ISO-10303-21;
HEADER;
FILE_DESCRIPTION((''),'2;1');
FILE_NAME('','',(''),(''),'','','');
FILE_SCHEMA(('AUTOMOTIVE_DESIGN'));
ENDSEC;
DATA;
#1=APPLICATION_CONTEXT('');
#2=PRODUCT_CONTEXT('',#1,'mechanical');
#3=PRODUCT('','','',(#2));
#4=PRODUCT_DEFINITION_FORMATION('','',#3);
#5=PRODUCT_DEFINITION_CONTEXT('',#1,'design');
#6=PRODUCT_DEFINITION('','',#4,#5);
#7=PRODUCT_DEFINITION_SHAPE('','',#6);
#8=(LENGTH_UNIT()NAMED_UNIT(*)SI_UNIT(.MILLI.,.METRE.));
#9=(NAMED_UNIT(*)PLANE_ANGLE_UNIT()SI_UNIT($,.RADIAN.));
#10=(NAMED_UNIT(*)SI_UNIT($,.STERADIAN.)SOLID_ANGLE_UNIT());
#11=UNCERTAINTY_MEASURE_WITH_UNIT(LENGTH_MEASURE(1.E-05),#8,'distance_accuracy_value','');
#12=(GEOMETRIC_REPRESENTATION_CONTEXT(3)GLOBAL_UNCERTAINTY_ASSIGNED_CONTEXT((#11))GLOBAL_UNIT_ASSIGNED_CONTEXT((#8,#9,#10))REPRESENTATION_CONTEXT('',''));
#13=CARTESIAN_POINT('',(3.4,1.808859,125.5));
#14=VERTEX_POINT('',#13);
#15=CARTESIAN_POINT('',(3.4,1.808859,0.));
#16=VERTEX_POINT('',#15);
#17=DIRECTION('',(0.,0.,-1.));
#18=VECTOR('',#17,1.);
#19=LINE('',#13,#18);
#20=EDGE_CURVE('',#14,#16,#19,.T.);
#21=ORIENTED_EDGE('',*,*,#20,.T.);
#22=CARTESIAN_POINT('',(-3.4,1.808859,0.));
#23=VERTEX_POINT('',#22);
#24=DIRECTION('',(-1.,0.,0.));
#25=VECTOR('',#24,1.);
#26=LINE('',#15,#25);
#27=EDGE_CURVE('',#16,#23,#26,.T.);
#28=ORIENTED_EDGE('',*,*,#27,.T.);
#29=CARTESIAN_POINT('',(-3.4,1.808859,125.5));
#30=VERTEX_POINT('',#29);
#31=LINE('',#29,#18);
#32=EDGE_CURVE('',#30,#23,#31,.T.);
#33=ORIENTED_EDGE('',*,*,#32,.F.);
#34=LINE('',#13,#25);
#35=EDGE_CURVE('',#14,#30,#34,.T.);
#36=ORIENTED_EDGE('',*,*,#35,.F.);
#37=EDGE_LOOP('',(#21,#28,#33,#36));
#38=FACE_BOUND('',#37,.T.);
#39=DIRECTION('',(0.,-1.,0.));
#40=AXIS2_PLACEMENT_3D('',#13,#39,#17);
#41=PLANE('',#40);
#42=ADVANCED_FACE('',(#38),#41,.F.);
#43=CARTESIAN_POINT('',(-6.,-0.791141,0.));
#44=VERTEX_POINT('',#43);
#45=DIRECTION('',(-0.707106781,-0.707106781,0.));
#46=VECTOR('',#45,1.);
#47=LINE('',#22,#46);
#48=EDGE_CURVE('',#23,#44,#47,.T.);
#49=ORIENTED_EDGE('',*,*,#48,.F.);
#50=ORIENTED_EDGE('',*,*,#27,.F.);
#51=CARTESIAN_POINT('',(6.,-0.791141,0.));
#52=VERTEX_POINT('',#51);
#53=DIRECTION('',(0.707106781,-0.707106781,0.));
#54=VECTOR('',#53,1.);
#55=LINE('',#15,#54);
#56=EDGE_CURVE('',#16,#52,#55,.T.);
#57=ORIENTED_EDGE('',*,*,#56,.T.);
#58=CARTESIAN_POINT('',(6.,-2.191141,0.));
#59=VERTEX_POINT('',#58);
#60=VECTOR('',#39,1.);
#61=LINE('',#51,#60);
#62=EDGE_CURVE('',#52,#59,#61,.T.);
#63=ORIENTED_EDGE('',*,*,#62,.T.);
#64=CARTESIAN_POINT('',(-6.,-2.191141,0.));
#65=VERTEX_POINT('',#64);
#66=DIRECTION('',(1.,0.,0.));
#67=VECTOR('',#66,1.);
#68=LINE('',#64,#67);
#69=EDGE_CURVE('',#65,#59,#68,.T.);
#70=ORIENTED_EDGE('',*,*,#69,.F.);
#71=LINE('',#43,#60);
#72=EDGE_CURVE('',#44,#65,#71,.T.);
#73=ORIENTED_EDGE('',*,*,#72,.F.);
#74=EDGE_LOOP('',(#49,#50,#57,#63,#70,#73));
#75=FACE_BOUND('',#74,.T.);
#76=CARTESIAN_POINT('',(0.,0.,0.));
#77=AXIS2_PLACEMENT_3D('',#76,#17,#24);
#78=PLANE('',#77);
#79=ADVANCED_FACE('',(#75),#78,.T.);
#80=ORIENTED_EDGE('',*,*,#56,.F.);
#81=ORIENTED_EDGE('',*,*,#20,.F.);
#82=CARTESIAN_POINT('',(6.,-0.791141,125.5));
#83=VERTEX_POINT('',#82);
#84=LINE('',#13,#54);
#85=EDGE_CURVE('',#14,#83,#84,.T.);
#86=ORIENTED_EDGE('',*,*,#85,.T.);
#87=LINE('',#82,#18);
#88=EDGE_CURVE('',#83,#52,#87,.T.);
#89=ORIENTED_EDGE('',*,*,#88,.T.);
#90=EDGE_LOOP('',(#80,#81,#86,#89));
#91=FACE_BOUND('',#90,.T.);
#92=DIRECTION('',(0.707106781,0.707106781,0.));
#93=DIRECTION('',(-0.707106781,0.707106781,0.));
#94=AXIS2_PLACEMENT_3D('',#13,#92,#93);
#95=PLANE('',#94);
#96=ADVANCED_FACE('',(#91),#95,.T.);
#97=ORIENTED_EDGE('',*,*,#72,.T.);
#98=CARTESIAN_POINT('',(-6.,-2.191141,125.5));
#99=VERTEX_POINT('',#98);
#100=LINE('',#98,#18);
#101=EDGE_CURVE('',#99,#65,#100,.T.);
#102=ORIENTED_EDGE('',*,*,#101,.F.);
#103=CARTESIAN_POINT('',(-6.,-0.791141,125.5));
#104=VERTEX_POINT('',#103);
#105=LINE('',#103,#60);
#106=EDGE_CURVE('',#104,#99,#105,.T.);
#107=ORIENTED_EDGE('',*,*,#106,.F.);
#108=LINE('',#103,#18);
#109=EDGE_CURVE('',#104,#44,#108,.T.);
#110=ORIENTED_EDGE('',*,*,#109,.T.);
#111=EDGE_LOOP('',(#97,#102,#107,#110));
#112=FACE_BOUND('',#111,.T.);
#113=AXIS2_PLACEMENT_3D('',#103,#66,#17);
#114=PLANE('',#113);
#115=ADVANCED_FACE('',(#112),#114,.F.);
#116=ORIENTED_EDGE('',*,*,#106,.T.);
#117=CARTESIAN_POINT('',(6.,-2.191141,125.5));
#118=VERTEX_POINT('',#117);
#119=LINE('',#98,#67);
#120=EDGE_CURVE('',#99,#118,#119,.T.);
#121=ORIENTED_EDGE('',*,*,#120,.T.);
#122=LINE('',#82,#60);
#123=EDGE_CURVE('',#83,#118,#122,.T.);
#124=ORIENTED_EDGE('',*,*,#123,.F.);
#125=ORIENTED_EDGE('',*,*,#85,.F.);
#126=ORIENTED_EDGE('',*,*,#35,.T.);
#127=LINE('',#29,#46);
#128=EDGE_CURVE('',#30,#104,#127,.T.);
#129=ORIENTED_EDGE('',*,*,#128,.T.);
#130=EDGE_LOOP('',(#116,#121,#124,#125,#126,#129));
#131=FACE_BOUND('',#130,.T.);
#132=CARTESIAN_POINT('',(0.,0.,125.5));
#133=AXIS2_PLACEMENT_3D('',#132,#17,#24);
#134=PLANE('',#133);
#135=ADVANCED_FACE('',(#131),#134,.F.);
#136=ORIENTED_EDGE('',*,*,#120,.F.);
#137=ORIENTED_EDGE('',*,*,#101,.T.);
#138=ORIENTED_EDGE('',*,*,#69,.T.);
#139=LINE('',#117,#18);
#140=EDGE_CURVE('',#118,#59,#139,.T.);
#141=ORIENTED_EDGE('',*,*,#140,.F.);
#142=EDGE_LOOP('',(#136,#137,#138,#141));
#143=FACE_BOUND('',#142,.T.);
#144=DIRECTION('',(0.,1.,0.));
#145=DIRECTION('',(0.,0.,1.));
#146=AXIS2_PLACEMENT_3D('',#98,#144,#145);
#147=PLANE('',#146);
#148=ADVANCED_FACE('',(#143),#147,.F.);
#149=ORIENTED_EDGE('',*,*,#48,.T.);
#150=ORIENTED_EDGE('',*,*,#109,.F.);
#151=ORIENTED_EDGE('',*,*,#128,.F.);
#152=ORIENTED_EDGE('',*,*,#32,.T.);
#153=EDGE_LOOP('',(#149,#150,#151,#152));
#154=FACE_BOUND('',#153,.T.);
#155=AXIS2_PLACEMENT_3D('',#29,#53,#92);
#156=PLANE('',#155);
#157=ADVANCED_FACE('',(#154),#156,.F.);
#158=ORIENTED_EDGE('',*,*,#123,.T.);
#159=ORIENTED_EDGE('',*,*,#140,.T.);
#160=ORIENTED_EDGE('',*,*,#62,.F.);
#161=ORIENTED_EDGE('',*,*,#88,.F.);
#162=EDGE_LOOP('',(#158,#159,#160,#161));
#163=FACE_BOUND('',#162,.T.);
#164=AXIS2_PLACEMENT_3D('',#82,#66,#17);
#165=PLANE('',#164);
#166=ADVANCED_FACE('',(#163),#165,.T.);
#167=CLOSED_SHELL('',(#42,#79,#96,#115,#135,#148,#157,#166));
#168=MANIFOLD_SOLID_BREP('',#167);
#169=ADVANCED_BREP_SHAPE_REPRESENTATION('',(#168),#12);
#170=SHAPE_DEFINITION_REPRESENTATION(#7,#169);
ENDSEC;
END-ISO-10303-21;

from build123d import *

# Parameters (mm, degrees)
AUFSATZ_LINEAR_AUSTRAGEN1_DEPTH = 125.5


with BuildPart() as part:
    # Skizze1 → Aufsatz-Linear austragen1 (new body)
    with BuildSketch(Plane.XY):
        Polygon((3.4, 1.808858787), (-3.4, 1.808858787), (-6, -0.791141213), (-6, -2.191141213), (6, -2.191141213), (6, -0.791141213), align=None)
    extrude(amount=AUFSATZ_LINEAR_AUSTRAGEN1_DEPTH)


solid = part.part
